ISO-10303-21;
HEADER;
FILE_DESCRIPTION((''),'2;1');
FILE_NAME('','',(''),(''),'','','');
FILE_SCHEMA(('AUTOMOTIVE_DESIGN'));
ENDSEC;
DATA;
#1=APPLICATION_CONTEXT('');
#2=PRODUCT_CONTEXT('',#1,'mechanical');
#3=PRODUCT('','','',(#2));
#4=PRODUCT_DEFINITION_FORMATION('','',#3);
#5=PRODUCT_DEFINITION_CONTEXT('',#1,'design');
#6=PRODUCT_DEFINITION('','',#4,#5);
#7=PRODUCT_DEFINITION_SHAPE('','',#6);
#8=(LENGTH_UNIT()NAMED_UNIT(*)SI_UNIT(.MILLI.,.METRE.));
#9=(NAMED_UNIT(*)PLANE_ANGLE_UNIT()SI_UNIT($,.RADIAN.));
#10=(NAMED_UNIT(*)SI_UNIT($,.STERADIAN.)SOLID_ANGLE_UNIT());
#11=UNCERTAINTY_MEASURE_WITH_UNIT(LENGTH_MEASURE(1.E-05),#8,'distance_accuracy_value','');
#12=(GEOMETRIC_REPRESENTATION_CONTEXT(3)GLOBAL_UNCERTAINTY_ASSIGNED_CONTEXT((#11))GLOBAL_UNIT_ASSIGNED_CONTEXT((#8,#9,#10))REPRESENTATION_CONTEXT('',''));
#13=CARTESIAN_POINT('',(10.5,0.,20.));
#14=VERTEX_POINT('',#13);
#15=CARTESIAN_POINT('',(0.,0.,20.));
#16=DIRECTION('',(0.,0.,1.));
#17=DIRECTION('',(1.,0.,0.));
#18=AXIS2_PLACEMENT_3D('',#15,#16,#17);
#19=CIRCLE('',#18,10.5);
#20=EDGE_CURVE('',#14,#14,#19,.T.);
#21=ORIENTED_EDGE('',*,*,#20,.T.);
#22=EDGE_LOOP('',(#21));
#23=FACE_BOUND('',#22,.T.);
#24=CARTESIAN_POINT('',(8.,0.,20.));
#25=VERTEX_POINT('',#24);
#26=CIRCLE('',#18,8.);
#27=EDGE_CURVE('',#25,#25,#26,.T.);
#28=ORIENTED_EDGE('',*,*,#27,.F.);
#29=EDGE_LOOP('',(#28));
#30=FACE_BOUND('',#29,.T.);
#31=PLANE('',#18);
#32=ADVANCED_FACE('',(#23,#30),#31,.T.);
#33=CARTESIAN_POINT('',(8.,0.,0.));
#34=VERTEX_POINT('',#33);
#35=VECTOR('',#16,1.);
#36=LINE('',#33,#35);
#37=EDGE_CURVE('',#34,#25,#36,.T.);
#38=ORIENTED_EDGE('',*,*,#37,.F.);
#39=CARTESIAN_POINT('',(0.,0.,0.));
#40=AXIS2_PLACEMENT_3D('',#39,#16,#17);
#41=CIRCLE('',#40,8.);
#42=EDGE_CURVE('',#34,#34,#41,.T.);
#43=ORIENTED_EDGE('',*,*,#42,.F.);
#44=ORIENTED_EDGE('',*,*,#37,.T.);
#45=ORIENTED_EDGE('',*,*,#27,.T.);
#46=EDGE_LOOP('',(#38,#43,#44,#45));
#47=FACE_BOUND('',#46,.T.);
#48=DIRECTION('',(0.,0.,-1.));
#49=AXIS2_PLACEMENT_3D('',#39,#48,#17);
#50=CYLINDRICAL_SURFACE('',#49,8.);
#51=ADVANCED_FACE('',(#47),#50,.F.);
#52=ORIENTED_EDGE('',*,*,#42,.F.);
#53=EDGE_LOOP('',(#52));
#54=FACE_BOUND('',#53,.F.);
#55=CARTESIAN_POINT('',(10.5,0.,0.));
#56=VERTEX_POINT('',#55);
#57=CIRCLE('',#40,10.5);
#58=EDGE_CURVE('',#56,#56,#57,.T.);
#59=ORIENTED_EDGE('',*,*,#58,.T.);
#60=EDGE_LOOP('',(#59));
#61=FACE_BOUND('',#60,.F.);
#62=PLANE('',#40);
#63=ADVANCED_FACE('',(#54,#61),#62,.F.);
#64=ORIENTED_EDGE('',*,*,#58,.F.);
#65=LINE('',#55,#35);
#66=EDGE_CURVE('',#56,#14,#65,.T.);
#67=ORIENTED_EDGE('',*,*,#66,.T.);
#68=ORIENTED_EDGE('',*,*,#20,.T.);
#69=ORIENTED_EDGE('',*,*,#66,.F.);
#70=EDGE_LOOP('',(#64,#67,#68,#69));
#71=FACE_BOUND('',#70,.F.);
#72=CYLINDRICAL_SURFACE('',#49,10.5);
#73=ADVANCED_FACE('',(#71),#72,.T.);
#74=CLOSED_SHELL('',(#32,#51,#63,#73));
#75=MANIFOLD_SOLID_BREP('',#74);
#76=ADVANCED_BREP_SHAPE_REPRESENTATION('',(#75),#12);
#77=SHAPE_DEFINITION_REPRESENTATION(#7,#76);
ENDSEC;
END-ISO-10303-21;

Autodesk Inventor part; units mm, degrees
ref_plane "YZ Plane" through (0, 0, 0) normal (1, 0, 0) x (0, 1, 0)
ref_plane "XZ Plane" through (0, 0, 0) normal (0, 1, 0) x (-1, 0, 0)
ref_plane "XY Plane" through (0, 0, 0) normal (0, 0, 1) x (1, 0, 0)
sketch "Sketch1" plane through (0, 0, 0) normal (0, 0, 1) x (1, 0, 0)
  circle A0 centre (0, 0) radius 10.5
  circle A1 centre (0, 0) radius 8
  dimension "d0" = 21
  dimension "d1" = 16
extrude "Extrusion1" add sketch "Sketch1" along normal blind 20
properties part number "PNS dummy pipe nippel_1600"
